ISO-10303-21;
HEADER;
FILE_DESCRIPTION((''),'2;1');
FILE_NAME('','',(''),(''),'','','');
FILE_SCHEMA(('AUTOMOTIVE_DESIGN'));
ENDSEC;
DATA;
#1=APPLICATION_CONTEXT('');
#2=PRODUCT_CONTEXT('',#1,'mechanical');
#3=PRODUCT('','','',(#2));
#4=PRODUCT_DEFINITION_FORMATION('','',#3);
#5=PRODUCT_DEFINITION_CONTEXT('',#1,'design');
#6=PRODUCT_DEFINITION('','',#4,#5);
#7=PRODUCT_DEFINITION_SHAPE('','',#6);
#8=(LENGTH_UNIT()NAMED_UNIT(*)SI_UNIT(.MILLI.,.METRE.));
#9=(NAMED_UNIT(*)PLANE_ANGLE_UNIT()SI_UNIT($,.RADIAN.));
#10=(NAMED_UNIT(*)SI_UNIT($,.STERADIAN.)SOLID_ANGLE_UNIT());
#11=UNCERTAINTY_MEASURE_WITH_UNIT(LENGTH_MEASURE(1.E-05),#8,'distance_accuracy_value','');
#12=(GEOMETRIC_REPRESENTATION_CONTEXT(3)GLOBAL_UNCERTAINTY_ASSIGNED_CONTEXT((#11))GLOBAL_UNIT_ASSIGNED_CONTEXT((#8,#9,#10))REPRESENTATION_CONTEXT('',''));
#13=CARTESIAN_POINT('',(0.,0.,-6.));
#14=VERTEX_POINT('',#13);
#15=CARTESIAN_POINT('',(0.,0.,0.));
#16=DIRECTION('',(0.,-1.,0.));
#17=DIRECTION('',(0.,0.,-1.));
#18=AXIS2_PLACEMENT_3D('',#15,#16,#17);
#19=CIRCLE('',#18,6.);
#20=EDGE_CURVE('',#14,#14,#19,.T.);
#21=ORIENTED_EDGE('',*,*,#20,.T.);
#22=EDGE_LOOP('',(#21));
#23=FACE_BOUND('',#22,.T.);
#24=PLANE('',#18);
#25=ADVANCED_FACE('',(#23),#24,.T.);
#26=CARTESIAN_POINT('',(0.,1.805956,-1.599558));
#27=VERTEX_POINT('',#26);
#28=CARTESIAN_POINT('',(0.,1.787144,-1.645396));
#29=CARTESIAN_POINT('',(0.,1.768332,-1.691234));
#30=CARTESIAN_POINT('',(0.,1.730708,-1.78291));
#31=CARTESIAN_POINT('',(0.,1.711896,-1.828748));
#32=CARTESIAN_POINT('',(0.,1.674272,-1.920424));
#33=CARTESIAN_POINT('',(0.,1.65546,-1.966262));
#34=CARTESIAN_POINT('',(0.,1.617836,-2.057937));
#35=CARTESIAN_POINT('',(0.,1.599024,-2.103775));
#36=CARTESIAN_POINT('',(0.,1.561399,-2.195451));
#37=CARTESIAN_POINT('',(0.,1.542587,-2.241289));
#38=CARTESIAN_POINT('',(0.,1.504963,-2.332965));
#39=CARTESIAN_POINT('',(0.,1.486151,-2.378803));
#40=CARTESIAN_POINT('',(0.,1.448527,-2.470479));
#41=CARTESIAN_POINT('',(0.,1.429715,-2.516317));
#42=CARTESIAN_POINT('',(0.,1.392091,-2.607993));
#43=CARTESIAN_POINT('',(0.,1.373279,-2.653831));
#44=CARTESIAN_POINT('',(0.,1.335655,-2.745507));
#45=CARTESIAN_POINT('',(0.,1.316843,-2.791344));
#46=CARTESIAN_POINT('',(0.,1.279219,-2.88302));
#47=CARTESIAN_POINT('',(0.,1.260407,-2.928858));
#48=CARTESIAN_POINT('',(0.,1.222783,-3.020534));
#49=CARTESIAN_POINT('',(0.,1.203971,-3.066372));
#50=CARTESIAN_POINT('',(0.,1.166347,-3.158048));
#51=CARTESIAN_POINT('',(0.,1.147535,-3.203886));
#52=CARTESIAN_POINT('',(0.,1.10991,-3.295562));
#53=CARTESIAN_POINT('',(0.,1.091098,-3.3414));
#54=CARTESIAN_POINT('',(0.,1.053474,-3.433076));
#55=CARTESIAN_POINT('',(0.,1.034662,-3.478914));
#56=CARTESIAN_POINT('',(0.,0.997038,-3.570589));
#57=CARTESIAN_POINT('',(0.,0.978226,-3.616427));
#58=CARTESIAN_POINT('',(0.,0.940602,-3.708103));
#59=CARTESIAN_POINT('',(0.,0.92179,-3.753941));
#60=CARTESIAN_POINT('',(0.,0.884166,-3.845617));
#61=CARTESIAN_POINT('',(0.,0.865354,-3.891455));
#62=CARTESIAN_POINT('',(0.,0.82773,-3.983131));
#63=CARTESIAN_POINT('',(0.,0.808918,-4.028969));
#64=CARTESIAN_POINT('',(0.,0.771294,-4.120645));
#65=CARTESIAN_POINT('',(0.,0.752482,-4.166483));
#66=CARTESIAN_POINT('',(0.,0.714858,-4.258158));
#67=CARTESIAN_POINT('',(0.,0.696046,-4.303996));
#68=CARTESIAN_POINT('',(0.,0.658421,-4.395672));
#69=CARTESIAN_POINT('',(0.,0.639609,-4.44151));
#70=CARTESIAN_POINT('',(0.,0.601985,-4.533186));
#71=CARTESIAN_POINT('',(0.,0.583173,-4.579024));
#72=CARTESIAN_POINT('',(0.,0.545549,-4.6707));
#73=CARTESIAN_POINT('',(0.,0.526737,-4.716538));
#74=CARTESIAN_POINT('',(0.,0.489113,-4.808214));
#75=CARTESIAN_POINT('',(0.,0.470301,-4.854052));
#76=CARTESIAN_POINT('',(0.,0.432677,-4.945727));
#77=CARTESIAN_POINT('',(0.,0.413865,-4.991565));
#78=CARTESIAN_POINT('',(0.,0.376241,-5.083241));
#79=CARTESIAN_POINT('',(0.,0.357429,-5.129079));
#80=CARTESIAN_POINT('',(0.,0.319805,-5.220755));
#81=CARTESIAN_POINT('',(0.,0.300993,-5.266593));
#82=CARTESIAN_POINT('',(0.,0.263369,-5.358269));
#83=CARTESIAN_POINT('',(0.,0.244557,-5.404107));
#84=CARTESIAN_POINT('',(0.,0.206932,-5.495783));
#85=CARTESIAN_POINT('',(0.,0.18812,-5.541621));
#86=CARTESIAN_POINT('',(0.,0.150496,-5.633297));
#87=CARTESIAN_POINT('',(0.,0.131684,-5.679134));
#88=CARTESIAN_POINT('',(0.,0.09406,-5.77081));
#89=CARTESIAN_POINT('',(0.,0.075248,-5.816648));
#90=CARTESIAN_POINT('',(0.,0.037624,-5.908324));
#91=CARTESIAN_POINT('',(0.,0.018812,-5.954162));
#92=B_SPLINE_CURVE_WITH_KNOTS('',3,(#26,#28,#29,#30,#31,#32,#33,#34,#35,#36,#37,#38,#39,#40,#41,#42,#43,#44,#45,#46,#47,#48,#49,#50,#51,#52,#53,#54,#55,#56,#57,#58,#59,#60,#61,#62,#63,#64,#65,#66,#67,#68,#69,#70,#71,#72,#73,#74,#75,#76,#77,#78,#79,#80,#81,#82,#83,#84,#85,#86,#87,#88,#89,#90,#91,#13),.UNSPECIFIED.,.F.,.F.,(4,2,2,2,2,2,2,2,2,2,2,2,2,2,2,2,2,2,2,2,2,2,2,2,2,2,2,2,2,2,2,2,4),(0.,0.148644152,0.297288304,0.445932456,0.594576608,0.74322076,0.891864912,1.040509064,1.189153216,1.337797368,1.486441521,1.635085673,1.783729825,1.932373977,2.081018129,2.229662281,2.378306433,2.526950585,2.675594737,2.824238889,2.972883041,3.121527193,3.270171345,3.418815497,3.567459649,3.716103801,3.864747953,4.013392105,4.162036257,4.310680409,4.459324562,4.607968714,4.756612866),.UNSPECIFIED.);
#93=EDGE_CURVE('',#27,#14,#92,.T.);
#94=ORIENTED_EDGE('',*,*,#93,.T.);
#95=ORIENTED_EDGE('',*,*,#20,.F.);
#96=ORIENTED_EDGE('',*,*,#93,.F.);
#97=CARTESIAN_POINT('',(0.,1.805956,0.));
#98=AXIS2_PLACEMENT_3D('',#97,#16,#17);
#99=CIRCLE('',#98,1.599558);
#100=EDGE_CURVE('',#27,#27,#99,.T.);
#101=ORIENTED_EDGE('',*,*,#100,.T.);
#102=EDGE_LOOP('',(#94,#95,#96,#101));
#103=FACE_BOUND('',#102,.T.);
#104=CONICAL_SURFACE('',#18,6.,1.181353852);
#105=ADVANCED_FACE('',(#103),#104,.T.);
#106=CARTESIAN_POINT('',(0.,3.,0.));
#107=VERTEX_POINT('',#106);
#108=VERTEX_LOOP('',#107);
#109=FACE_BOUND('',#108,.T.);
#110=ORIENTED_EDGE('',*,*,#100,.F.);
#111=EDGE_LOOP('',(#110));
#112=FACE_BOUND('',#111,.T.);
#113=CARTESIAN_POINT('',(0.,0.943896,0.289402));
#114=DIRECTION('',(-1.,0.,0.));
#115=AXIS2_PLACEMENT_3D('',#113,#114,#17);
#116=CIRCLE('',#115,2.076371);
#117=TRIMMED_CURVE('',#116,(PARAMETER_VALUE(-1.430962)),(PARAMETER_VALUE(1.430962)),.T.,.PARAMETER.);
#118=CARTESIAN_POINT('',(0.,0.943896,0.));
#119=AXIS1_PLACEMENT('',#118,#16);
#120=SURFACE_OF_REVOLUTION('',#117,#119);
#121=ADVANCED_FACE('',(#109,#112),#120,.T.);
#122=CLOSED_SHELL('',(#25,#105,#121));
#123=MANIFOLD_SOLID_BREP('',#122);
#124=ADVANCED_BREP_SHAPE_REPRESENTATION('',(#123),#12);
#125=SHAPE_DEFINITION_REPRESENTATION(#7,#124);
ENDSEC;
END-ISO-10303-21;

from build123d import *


with BuildPart() as part:
    # Эскиз1 → Повернуть1 (revolve)
    with BuildSketch(Plane(origin=(0, 0, 0), x_dir=(0, 0, -1), z_dir=(1, 0, 0))):
        with BuildLine():
            Line((0, 0), (6, 0))
            Line((6, 0), (1.599558116, 1.80595603))
            ThreePointArc((1.599558116, 1.80595603), (0.95267314, 2.60779708), (0, 3))
            Line((0, 3), (0, 0))
        make_face()
    revolve(axis=Axis((0, 0, 0), (0, 1, 0)))


solid = part.part
